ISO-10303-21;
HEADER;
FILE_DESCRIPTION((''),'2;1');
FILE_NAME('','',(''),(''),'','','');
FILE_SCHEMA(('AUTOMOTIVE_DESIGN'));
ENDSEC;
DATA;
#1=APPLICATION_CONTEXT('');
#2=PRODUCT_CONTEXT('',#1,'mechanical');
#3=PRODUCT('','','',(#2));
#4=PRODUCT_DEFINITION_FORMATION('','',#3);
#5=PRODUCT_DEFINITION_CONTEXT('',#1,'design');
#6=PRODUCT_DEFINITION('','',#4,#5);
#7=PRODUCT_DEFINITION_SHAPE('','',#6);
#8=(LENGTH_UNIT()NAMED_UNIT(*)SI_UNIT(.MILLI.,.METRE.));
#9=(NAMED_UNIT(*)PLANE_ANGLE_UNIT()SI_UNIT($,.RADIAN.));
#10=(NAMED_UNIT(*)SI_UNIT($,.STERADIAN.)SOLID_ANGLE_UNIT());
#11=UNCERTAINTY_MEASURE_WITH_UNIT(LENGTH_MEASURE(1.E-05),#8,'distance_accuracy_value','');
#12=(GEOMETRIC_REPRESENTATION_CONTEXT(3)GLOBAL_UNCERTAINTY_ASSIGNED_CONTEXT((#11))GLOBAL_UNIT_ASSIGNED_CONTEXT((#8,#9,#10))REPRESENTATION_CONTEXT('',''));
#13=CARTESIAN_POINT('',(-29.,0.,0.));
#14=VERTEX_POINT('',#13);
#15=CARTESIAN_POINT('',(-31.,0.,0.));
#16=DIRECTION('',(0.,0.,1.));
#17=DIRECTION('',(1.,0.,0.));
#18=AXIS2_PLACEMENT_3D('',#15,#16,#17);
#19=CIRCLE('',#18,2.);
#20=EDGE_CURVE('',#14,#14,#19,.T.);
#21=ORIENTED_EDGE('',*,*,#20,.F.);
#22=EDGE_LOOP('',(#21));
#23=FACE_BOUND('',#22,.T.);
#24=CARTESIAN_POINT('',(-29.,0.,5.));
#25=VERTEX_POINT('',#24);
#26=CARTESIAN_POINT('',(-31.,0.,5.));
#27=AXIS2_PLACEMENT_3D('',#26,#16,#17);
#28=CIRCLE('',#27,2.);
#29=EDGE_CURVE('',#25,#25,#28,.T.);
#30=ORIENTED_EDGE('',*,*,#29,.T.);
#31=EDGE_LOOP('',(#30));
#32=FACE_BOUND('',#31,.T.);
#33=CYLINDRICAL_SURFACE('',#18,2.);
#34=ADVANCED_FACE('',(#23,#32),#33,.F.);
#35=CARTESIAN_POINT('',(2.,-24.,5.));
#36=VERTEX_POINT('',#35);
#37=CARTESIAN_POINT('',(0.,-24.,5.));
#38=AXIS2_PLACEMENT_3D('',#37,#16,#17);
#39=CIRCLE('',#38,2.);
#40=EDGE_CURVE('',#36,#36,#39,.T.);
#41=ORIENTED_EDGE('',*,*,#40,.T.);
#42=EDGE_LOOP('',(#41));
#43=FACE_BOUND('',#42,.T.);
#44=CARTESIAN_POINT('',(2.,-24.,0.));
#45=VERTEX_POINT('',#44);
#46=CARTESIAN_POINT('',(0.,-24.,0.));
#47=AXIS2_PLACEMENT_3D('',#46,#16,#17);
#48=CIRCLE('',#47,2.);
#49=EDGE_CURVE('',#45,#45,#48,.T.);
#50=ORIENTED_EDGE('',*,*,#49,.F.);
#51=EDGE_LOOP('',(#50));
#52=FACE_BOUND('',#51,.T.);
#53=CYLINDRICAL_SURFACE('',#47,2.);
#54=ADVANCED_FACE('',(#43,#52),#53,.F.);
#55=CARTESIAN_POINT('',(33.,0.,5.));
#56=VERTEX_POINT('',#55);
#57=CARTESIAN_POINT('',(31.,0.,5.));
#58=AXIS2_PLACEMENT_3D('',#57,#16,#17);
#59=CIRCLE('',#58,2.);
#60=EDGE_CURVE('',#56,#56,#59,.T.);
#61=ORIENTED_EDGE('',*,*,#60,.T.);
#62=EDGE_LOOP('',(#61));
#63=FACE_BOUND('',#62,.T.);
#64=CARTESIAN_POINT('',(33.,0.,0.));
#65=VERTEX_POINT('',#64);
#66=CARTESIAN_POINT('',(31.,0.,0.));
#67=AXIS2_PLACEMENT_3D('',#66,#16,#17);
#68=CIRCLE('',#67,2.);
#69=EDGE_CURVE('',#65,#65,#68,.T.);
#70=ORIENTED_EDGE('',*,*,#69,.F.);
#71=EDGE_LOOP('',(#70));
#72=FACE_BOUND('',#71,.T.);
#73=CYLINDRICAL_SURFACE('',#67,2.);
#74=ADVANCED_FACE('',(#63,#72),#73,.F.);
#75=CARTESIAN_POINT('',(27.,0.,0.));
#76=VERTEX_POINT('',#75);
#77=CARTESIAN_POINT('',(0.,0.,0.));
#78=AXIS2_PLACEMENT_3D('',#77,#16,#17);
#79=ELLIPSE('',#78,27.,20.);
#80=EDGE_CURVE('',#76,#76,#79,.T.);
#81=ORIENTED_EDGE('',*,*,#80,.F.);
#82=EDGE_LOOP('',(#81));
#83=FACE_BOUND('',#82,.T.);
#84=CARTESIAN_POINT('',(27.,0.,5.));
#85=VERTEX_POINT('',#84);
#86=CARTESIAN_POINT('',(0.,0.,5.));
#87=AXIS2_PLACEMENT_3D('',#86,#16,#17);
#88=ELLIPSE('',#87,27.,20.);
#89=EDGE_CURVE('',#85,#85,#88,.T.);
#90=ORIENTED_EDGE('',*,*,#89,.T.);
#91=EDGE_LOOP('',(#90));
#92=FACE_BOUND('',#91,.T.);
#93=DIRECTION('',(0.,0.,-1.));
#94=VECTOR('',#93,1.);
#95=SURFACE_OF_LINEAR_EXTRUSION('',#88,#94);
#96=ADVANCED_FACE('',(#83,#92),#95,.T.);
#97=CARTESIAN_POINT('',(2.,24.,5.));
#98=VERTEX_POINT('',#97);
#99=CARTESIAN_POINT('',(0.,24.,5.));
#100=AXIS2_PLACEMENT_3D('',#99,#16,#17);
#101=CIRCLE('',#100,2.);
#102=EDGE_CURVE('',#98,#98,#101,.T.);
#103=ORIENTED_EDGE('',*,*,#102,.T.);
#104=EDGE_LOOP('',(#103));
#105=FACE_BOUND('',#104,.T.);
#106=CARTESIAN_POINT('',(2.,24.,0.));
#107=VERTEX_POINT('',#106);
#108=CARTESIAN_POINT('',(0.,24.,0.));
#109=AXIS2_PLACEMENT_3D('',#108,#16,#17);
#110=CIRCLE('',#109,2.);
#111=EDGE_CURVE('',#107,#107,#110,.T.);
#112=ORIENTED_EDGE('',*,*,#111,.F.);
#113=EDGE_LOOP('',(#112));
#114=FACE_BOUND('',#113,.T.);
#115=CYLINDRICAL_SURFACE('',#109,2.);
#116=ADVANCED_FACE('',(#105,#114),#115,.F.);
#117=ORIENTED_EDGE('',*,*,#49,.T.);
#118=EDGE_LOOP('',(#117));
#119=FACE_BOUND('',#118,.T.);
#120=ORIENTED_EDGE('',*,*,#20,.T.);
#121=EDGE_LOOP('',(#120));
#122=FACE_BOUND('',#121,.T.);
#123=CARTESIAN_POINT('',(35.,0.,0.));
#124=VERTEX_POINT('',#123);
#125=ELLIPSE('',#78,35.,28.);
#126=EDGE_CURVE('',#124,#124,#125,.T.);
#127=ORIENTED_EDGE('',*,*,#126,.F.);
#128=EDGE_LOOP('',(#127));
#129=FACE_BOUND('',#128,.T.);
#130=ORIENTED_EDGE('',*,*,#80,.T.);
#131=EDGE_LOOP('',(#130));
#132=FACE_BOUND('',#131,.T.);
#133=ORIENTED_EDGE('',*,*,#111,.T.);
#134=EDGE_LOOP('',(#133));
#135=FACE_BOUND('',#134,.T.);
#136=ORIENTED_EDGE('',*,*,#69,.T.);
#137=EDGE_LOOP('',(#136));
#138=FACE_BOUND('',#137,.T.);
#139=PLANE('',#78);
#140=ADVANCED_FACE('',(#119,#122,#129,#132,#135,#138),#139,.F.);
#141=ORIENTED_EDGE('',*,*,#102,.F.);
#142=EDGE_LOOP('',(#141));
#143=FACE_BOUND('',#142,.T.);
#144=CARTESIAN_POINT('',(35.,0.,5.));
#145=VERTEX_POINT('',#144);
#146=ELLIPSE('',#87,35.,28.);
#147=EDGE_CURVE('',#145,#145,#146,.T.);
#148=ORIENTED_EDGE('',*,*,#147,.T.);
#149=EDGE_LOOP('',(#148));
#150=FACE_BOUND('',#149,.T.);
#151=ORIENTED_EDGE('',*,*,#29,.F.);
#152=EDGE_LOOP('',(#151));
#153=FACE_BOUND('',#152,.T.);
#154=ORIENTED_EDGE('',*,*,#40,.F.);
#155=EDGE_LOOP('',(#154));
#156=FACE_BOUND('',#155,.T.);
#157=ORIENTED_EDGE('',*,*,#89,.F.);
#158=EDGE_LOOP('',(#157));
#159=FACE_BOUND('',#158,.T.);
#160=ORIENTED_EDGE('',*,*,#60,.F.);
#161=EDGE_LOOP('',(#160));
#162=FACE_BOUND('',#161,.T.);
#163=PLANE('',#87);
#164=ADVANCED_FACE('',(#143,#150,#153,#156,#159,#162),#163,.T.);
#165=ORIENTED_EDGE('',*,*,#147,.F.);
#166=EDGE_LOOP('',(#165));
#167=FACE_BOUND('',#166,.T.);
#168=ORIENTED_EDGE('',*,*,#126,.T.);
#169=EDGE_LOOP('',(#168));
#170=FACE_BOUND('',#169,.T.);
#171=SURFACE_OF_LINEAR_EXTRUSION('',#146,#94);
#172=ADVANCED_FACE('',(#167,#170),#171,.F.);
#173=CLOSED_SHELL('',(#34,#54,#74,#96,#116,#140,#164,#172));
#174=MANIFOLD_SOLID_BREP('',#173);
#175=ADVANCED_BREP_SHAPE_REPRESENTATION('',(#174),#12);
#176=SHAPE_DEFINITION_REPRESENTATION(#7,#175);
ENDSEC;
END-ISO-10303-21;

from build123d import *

# Parameters (mm, degrees)
ESQUISSE1_RX            = 35
ESQUISSE1_RY            = 28
ESQUISSE1_RX_2          = 27
ESQUISSE1_RY_2          = 20
BOSS_EXTRU_1_DEPTH      = 5
ESQUISSE2_R             = 2
ENL_V_MAT_EXTRU_1_DEPTH = 5


with BuildPart() as part:
    # Esquisse1 → Boss.-Extru.1 (new body)
    with BuildSketch(Plane.XY):
        with Locations((0, 0)):
            Ellipse(ESQUISSE1_RX, ESQUISSE1_RY)
        with Locations((0, 0)):
            Ellipse(ESQUISSE1_RX_2, ESQUISSE1_RY_2, mode=Mode.SUBTRACT)
    extrude(amount=BOSS_EXTRU_1_DEPTH)

    # Esquisse2 → Enlèv. mat.-Extru.1 (cut)
    with BuildSketch(Plane.XY.offset(5)):
        with Locations((-31, 0)):
            Circle(ESQUISSE2_R)
        with Locations((0, 24)):
            Circle(ESQUISSE2_R)
        with Locations((31, 0)):
            Circle(ESQUISSE2_R)
        with Locations((0, -24)):
            Circle(ESQUISSE2_R)
    extrude(amount=-ENL_V_MAT_EXTRU_1_DEPTH, mode=Mode.SUBTRACT)


solid = part.part
